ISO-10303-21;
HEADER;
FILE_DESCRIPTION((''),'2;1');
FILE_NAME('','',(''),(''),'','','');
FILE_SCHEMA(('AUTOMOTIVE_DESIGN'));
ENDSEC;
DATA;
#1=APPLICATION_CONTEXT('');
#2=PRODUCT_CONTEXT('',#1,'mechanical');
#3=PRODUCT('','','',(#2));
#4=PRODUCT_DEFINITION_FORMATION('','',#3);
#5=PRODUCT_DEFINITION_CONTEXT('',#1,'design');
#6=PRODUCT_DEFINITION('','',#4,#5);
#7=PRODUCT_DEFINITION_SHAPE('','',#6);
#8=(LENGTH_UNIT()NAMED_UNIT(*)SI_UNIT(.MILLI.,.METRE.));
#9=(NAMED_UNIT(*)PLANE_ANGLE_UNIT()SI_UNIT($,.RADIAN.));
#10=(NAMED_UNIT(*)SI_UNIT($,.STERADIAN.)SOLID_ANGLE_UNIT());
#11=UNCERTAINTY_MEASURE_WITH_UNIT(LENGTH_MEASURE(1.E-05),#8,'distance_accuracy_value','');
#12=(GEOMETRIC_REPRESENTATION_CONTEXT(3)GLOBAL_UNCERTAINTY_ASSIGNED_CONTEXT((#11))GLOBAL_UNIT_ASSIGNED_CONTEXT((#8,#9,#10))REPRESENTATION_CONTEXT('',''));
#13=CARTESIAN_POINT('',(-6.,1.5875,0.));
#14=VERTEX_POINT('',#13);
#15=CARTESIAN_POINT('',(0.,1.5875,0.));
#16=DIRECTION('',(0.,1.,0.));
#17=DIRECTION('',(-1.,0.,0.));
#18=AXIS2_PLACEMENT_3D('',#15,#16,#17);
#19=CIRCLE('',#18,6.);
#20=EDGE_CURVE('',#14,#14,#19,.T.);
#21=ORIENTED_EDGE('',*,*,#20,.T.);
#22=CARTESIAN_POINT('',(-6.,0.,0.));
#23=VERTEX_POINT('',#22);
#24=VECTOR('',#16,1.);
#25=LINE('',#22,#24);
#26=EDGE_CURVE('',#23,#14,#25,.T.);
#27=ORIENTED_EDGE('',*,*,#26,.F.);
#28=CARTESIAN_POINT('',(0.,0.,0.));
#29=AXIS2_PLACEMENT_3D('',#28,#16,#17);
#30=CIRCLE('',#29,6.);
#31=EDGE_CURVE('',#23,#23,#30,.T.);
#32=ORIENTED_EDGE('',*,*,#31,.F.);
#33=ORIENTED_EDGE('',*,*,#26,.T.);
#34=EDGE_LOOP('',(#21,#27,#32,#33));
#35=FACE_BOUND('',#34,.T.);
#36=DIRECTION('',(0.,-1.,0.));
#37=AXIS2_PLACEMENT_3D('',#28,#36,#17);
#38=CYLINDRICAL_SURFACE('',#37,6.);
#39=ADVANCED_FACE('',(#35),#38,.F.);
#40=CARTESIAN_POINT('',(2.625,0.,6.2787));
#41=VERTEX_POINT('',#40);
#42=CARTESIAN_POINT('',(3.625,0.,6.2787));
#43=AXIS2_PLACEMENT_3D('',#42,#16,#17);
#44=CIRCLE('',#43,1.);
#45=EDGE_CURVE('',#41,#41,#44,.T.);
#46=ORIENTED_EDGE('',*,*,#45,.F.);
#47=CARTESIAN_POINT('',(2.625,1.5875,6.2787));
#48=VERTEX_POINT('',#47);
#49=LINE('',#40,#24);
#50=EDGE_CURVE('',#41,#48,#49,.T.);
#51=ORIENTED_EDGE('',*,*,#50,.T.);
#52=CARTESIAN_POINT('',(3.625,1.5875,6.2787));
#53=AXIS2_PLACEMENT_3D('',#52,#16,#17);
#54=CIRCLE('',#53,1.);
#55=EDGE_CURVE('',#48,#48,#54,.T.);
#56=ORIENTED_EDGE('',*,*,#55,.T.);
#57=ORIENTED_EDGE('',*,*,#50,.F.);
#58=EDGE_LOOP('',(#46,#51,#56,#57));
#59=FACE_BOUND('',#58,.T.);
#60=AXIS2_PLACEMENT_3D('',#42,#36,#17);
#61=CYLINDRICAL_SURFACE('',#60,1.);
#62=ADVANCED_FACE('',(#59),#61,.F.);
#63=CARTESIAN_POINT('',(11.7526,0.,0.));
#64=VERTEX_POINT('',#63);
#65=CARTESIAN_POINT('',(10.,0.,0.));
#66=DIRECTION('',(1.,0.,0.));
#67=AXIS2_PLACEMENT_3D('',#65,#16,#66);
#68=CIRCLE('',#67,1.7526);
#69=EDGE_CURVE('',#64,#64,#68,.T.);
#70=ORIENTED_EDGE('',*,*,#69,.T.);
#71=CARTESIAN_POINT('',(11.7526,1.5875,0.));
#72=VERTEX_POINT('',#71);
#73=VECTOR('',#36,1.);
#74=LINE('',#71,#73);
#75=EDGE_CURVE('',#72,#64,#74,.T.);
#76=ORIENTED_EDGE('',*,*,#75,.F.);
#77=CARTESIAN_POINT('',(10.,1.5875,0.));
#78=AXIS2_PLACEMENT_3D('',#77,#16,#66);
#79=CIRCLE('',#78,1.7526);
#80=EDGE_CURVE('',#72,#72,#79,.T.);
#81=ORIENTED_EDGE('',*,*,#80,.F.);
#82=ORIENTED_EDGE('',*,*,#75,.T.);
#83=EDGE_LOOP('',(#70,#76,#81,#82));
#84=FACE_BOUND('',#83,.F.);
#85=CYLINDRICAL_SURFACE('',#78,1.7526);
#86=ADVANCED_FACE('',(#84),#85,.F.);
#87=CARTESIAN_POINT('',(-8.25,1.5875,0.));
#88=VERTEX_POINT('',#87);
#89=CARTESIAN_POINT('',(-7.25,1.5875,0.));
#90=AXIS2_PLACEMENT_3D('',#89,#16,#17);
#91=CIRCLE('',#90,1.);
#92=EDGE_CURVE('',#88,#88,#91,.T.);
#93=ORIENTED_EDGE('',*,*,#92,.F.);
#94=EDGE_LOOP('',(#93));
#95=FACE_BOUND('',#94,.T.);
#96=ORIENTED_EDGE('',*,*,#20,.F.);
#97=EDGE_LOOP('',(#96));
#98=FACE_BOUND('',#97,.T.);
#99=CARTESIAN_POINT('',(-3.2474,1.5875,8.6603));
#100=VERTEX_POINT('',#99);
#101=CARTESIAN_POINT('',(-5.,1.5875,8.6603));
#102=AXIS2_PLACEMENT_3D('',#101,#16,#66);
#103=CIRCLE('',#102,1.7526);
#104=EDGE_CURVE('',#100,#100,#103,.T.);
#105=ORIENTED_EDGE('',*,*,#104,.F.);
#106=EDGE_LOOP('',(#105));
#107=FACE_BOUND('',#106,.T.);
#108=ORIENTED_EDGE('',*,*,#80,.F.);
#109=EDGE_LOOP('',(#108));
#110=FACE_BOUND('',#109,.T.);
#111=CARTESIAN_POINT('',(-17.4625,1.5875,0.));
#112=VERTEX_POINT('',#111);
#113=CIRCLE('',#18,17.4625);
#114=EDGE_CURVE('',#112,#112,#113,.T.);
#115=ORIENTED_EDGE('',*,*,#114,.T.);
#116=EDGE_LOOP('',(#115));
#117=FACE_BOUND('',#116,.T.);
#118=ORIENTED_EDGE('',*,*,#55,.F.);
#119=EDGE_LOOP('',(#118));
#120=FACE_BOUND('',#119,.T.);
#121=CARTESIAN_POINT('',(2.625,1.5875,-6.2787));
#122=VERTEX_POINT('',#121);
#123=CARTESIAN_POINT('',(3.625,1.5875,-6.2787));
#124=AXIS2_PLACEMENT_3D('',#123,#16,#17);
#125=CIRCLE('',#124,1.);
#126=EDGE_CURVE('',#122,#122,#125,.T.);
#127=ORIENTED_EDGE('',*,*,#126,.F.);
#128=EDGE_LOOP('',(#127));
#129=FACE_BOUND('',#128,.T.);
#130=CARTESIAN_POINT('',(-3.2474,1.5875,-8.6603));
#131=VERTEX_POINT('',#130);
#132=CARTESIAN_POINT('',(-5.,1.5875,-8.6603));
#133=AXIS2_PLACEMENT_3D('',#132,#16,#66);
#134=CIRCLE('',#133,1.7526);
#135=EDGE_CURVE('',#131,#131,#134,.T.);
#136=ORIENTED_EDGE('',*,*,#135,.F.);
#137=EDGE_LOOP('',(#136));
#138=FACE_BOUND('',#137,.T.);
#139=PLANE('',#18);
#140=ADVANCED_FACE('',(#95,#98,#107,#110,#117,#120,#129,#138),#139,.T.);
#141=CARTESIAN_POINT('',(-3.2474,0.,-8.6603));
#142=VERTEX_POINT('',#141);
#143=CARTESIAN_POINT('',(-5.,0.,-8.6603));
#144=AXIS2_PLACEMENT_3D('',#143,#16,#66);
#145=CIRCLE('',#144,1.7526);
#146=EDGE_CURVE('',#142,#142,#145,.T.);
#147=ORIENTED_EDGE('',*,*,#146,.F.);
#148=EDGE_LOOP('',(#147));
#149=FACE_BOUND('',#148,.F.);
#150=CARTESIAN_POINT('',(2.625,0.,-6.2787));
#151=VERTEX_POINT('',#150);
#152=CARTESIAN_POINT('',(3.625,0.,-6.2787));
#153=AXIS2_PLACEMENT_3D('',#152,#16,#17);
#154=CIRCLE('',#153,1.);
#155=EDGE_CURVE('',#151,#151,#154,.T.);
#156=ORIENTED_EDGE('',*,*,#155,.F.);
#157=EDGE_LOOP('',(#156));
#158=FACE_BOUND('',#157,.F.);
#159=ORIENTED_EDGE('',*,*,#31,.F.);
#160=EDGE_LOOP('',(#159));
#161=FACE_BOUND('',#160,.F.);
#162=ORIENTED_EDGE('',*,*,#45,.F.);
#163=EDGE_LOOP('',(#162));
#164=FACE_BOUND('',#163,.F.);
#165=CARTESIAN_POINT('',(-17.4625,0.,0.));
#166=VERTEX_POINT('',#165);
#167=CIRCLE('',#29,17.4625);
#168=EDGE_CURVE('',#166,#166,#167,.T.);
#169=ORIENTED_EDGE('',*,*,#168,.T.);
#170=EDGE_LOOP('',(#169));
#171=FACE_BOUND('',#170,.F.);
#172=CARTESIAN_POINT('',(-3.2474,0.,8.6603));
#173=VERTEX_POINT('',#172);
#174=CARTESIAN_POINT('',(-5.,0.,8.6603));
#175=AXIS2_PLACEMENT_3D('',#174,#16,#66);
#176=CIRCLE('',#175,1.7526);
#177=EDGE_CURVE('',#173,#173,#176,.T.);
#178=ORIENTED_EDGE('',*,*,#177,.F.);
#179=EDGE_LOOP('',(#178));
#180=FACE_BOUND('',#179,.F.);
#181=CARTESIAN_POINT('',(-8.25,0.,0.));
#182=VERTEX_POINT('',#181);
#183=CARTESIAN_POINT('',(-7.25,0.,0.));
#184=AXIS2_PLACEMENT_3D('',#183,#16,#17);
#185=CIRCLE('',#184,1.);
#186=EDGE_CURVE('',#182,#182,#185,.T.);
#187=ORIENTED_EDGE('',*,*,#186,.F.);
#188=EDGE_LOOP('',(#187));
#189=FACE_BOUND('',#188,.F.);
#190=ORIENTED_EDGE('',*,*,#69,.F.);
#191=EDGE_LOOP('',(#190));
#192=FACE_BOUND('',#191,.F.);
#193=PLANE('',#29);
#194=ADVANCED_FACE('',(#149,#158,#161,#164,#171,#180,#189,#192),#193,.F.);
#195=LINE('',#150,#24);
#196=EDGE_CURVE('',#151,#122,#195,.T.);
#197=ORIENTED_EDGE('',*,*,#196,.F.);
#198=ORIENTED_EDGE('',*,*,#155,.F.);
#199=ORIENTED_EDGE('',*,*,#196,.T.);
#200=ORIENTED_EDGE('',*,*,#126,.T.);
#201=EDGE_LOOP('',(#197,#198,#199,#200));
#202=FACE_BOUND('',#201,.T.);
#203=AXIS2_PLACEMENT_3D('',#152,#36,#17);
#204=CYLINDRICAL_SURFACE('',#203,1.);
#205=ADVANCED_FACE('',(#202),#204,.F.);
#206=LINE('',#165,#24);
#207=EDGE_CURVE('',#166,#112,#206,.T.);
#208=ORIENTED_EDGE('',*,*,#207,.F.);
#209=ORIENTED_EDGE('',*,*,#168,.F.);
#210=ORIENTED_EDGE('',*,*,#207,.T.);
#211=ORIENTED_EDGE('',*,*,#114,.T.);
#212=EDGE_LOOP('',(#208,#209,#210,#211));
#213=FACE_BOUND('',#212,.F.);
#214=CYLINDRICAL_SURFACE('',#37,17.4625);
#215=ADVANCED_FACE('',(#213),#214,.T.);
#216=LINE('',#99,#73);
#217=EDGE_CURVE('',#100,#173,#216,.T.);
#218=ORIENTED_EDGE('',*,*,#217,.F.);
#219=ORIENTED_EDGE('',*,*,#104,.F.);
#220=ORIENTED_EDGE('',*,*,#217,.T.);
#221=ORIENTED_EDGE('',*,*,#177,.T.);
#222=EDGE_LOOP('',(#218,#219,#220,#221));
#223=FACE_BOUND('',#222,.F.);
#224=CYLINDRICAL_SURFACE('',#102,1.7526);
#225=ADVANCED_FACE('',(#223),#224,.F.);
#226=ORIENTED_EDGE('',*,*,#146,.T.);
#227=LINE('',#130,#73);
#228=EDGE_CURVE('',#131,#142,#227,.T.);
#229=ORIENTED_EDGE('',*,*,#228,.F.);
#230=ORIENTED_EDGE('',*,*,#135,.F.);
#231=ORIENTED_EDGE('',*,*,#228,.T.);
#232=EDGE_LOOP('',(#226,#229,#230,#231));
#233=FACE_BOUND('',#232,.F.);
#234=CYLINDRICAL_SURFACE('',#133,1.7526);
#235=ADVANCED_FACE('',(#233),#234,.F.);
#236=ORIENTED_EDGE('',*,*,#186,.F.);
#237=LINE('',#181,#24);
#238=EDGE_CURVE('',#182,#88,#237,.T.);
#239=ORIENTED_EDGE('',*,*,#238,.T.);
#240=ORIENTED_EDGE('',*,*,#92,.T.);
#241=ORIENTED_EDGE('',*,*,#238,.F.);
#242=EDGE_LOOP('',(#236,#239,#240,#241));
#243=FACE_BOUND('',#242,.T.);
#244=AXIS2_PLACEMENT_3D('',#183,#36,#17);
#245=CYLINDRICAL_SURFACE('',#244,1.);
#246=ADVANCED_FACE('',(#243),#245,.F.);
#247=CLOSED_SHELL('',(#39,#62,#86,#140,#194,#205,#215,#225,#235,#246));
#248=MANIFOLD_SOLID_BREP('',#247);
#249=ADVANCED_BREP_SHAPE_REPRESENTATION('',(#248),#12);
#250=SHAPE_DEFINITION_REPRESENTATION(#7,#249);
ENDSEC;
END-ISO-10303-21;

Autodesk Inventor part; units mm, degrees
ref_plane "YZ Plane" through (0, 0, 0) normal (1, 0, 0) x (0, 1, 0)
ref_plane "XZ Plane" through (0, 0, 0) normal (0, 1, 0) x (-1, 0, 0)
ref_plane "XY Plane" through (0, 0, 0) normal (0, 0, 1) x (1, 0, 0)
sketch "Sketch1" plane through (0, 0, 0) normal (0, 1, 0) x (-1, 0, 0)
  circle A0 centre (0, 0) radius 6
  circle A1 centre (0, 0) radius 7.25 construction
  circle A2 centre (0, 0) radius 22.225 construction
  circle A3 centre (7.25, 0) radius 1
  line L0 (22.225, 0) -> (0, 0) construction
  circle A4 centre (-3.625, 6.2787) radius 1
  circle A5 centre (-3.625, -6.2787) radius 1
  circle A6 centre (0, 0) radius 17.4625
  dimension "d1" = 14.5
  dimension "d2" = 44.45
  dimension "d0" = 12
  dimension "d3" = 2
  dimension "d6" = 360
  dimension "d8" = 34.925
extrude "Extrusion1" add sketch "Sketch1" along normal blind 1.5875
sketch "Sketch2" plane through (0, 1.5875, 0) normal (0, 1, 0) x (1, 0, 0)
  circle A0 centre (0, 0) radius 10 construction
  line L0 (0, 0) -> (17.4625, 0) construction
  circle A1 centre (0, 0) radius 17.4625 projected
  circle A2 centre (10, 0) radius 1.7526
  circle A3 centre (-5, 8.6603) radius 1.7526
  circle A4 centre (-5, -8.6603) radius 1.7526
  dimension "d11" = 20
  dimension "d12" = 3.5052
  dimension "d15" = 360
extrude "Extrusion2" cut sketch "Sketch2" against normal through all contours A2 | A3 | A4
properties part number "Motor Cap" material "Aluminum 6061"
